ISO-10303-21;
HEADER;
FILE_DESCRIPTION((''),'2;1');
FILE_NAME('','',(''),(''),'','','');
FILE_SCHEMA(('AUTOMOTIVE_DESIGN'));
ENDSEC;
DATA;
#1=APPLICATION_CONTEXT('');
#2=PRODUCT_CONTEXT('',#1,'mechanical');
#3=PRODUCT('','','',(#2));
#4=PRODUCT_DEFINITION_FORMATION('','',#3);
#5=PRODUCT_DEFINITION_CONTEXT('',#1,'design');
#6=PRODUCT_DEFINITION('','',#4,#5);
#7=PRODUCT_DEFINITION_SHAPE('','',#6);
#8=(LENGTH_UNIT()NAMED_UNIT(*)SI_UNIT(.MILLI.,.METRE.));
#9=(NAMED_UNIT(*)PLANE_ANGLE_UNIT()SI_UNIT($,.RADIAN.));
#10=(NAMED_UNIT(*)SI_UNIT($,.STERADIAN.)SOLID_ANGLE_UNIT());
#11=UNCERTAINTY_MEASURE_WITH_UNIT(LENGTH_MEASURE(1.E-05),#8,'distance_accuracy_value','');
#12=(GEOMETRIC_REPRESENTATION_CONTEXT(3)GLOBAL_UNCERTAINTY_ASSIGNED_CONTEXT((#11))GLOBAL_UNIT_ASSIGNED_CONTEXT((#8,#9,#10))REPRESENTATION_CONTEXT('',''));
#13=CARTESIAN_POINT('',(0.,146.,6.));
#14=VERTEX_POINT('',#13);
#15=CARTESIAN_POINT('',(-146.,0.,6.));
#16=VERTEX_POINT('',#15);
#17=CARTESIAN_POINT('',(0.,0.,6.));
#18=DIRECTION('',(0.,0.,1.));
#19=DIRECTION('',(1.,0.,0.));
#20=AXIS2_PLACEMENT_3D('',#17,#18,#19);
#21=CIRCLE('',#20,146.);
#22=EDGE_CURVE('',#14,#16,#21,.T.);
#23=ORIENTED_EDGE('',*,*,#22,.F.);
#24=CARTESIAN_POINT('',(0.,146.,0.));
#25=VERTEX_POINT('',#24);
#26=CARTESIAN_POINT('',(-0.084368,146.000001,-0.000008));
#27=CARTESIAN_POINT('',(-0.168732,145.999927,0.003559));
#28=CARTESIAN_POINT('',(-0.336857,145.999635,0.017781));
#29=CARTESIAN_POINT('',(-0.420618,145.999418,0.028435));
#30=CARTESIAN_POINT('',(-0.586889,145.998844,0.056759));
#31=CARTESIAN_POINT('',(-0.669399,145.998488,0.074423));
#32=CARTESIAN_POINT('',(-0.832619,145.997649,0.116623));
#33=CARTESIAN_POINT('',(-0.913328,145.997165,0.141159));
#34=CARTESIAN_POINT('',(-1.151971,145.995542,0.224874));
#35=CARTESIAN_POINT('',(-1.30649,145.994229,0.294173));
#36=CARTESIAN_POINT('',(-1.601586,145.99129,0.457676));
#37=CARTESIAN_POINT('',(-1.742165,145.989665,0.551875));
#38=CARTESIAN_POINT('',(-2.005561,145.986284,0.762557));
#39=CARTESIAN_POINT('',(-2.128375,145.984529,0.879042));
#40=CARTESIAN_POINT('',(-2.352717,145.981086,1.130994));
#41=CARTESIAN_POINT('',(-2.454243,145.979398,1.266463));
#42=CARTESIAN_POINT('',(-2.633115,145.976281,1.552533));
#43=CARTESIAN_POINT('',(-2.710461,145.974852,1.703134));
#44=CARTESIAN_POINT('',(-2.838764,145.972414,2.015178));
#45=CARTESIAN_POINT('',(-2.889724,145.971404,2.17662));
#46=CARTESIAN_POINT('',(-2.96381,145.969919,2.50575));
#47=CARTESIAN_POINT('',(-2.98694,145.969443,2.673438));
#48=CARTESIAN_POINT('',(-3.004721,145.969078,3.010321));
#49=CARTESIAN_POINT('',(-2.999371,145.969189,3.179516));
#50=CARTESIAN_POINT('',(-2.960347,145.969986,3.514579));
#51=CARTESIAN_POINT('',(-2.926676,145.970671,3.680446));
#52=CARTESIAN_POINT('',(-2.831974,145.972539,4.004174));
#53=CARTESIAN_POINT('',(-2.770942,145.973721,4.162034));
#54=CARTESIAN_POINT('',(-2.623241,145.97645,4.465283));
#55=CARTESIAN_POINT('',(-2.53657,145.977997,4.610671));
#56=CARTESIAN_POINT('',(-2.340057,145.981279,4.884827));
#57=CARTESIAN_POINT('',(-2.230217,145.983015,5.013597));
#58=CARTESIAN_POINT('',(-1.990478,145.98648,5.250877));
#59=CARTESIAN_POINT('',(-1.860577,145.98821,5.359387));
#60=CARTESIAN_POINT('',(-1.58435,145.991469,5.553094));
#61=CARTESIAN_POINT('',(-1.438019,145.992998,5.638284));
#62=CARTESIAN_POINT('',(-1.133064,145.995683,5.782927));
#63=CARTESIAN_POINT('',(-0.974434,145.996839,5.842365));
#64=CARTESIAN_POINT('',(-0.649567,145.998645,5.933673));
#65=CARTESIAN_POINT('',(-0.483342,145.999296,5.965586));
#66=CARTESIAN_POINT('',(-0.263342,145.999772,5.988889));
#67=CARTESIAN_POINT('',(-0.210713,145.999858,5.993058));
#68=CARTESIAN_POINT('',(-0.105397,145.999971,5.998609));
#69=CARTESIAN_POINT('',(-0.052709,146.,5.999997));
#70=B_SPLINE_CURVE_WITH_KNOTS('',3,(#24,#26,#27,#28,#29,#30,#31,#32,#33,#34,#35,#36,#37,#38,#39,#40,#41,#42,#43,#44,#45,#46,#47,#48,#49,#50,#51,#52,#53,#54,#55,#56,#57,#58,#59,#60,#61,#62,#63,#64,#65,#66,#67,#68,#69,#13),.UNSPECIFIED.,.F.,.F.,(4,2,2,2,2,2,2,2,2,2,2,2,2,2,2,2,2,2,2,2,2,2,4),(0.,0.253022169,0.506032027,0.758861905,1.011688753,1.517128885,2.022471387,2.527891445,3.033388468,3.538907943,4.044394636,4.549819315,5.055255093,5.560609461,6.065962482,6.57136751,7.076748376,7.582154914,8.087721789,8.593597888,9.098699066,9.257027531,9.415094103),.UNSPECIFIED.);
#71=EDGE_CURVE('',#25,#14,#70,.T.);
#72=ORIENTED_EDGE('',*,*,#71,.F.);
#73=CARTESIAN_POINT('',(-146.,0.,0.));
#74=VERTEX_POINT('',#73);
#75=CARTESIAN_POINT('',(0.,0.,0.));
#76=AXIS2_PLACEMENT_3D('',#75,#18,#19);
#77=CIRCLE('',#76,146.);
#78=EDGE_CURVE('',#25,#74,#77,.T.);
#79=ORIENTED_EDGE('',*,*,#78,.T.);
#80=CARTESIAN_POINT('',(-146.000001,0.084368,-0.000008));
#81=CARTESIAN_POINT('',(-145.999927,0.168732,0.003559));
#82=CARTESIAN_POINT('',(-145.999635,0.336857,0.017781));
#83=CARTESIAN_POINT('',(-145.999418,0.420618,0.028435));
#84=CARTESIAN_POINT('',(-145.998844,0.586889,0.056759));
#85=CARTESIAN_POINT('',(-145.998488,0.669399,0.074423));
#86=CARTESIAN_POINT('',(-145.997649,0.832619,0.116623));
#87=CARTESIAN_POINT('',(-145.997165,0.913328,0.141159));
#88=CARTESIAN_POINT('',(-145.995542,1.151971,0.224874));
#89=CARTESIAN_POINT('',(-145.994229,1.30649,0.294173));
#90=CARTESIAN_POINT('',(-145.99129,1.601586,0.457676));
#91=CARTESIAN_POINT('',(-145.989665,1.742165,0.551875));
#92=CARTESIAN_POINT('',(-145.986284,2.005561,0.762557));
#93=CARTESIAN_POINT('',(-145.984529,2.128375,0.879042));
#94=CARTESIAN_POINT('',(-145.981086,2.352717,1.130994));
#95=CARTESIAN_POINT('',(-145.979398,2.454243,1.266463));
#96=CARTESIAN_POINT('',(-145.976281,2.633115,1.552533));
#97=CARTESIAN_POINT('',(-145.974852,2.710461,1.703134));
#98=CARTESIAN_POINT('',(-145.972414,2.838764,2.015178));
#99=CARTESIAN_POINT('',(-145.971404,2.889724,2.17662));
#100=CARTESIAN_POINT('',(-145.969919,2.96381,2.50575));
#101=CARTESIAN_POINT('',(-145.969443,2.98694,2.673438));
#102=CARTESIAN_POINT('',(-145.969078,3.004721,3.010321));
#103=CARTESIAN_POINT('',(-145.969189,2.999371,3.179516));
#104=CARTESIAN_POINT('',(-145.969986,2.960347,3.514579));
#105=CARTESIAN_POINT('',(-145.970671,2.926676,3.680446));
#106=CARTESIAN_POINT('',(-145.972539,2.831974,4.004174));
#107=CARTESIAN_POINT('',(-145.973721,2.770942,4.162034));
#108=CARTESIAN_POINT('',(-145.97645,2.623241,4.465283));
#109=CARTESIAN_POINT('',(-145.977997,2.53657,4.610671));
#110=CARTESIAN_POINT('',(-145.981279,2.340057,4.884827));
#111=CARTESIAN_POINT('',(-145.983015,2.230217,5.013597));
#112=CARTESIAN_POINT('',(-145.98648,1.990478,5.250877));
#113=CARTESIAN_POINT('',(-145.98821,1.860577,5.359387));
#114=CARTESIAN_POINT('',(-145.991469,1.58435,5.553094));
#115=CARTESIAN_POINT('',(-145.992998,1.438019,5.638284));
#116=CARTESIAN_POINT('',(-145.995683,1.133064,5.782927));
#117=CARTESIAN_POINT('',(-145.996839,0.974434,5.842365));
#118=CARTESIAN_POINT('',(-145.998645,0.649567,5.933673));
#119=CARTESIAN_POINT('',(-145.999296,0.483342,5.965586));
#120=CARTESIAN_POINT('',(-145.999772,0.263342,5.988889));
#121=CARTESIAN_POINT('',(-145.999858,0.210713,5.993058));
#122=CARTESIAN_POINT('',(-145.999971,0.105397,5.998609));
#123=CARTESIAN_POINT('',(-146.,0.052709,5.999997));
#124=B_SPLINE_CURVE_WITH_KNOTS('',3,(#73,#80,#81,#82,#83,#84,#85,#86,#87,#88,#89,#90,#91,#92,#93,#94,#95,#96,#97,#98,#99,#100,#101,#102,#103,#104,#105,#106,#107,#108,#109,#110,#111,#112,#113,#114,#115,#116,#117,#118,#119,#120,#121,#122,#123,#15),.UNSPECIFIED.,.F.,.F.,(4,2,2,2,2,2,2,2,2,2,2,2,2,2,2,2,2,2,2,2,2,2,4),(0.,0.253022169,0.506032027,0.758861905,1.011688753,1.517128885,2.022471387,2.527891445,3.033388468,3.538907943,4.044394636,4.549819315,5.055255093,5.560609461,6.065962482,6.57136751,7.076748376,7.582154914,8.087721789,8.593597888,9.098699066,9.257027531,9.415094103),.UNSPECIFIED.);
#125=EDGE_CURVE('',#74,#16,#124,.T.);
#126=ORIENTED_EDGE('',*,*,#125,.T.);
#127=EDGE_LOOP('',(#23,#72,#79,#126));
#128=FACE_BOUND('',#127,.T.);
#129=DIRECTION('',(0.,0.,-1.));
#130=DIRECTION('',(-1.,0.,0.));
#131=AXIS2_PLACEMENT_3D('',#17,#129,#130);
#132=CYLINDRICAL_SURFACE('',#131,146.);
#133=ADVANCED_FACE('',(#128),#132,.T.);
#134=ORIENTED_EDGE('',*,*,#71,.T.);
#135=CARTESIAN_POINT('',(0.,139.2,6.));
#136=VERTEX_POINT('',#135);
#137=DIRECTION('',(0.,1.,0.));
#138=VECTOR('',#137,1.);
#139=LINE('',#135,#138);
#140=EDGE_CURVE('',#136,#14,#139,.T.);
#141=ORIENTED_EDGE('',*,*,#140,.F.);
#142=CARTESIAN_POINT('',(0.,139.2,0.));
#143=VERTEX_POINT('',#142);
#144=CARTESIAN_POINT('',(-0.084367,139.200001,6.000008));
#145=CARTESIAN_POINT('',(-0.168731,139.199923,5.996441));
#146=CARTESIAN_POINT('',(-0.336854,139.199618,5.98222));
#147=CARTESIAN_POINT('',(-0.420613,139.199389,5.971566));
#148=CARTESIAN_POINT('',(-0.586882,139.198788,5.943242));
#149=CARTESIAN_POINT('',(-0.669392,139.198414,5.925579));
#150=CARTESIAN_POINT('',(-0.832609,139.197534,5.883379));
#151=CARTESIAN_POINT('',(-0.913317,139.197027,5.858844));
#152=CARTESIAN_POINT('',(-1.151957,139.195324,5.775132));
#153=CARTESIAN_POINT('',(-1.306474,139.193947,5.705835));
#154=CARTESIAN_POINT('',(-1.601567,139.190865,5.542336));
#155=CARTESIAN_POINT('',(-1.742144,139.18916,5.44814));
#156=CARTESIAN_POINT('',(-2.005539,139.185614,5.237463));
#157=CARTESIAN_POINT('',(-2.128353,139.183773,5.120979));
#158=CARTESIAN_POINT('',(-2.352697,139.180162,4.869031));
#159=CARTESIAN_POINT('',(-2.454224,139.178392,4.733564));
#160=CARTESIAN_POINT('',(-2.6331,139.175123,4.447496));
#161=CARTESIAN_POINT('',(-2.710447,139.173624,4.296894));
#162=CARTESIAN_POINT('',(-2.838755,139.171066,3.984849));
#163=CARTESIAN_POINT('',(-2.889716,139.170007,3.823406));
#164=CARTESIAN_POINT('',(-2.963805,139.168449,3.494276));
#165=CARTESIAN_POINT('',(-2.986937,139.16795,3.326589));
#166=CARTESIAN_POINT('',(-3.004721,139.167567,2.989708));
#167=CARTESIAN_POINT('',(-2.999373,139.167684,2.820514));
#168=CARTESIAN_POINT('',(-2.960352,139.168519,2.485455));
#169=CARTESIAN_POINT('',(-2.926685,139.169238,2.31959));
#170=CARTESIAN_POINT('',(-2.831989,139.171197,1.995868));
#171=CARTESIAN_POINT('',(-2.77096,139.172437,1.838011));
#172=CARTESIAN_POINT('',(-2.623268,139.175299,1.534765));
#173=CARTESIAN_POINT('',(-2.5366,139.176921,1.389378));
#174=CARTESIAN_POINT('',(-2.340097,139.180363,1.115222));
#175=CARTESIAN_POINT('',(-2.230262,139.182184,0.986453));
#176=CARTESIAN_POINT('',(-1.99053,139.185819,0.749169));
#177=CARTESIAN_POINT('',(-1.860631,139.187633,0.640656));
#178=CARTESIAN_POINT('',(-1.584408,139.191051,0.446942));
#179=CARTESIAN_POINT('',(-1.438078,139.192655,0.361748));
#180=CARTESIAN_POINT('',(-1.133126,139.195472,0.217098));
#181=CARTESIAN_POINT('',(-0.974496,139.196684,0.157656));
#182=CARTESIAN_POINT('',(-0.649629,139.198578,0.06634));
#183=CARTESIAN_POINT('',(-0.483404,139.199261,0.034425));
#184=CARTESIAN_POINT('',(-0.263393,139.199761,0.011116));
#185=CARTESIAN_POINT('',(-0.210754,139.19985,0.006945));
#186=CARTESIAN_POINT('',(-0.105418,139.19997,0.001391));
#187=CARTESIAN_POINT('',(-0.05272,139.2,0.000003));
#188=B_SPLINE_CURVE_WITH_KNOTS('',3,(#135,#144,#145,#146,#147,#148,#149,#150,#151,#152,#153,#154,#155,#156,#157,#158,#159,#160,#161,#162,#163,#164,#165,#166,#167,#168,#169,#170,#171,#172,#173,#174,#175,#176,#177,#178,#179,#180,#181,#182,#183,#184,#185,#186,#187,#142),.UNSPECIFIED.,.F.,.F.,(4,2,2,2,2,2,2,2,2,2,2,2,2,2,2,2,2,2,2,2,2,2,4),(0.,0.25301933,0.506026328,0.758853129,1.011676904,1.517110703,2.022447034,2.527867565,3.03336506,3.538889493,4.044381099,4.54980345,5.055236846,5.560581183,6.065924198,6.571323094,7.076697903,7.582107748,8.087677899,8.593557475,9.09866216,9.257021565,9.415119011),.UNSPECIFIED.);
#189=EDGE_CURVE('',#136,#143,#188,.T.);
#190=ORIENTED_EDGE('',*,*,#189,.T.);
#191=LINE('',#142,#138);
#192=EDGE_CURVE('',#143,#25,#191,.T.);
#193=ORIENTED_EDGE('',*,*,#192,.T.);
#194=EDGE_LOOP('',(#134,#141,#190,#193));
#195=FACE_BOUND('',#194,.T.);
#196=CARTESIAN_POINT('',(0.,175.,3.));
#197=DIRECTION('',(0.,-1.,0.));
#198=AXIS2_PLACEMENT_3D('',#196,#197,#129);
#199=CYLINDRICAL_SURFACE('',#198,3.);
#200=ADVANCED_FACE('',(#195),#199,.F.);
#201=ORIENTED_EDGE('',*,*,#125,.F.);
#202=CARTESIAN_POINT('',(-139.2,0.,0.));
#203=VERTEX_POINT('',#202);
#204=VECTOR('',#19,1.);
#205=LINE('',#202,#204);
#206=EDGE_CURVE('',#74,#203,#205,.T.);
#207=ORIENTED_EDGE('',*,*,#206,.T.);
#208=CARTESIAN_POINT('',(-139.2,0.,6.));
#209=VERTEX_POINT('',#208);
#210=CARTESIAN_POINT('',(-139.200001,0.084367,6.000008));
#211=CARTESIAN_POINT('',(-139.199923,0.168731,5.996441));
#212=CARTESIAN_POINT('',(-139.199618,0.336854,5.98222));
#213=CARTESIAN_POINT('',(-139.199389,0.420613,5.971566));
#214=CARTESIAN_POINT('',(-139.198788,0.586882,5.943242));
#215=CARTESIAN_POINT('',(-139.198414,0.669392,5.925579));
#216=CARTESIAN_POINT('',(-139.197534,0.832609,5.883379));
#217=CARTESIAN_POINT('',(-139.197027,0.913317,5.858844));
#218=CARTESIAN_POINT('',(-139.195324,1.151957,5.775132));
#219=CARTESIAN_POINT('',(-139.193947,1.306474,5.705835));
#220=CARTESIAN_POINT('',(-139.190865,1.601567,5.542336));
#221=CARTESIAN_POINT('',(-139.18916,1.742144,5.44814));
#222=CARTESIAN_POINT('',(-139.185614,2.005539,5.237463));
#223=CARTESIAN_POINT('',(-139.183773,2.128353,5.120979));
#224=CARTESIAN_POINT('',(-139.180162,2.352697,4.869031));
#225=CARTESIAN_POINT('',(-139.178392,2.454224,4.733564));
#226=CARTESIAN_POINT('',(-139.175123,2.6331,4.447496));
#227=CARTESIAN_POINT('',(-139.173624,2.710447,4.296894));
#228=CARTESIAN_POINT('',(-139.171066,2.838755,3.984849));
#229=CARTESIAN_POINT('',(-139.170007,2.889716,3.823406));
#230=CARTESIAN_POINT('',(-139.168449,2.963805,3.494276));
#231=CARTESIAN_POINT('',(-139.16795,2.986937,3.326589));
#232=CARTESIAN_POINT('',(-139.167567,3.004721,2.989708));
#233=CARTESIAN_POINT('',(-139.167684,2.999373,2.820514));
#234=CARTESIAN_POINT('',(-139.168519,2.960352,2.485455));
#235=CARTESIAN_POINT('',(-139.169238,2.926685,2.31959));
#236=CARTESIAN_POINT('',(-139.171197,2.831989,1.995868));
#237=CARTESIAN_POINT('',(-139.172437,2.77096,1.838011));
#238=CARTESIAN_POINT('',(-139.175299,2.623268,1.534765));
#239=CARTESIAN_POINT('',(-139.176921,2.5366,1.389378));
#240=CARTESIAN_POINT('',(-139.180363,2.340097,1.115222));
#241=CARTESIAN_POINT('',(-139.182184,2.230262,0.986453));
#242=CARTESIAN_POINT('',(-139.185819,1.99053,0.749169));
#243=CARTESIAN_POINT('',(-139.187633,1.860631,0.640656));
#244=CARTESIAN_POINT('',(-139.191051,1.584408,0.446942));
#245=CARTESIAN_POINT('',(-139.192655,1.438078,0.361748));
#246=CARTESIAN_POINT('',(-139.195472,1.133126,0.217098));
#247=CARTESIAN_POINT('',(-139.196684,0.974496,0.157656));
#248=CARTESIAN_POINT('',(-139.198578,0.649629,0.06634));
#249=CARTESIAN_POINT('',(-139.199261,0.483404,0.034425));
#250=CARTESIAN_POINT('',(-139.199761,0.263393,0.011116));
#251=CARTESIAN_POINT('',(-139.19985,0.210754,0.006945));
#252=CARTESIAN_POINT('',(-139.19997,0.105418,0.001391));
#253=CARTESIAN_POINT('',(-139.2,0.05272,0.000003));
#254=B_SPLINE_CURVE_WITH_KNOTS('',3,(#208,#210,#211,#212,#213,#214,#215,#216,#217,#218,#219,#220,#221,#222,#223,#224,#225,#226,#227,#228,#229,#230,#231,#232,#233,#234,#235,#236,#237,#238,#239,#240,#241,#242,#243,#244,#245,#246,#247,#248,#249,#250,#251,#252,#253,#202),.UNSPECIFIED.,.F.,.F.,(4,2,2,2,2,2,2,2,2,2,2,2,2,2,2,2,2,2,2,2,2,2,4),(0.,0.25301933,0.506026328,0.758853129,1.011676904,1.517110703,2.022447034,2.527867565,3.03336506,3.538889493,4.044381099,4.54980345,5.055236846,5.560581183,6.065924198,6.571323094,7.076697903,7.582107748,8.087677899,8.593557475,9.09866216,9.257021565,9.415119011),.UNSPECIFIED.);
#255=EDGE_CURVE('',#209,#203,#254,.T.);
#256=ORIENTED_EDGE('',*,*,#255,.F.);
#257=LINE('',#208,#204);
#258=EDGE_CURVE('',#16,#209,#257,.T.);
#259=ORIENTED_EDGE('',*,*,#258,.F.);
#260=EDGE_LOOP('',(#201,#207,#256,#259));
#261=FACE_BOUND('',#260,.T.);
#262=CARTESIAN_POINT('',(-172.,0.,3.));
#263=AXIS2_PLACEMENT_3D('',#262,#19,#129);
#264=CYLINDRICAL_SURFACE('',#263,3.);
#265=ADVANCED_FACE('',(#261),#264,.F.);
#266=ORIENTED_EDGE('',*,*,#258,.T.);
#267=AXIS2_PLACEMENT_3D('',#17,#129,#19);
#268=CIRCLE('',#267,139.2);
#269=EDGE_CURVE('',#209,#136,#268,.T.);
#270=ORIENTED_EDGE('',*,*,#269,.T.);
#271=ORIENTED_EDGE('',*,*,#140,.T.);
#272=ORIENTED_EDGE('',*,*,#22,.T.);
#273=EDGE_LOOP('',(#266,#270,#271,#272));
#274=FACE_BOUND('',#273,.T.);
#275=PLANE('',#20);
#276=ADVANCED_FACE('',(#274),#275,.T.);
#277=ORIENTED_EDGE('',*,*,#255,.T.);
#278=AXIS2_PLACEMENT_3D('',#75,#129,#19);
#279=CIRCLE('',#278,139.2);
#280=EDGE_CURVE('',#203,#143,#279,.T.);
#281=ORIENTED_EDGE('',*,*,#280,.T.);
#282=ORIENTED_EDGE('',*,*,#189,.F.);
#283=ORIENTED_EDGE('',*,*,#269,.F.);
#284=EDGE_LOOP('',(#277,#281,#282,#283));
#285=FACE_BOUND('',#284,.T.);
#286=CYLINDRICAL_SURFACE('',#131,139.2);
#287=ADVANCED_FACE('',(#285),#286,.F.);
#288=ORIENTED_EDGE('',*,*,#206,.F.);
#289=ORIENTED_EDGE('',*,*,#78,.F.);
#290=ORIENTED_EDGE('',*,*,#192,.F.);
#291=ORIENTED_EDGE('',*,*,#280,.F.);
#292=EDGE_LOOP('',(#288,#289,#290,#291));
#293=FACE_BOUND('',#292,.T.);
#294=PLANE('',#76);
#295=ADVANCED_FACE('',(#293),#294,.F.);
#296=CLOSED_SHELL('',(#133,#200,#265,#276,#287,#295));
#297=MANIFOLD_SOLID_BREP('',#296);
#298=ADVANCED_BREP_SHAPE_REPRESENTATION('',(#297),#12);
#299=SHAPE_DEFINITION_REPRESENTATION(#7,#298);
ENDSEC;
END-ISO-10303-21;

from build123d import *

# Parameters (mm, degrees)
BOSS_EXTRUDE1_DEPTH = 6
SKETCH3_R           = 3
CUT_EXTRUDE1_DEPTH  = 172
SKETCH4_R           = 3
CUT_EXTRUDE2_DEPTH  = 175


with BuildPart() as part:
    # Sketch2 → Boss-Extrude1 (new body)
    with BuildSketch(Plane.XY):
        with BuildLine():
            Line((0, 139.2), (0, 146))
            ThreePointArc((0, 146), (-103.237590053, 103.237590053), (-146, 0))
            Line((-146, 0), (-139.2, 0))
            ThreePointArc((-139.2, 0), (-98.429263941, 98.429263941), (0, 139.2))
        make_face()
    extrude(amount=BOSS_EXTRUDE1_DEPTH)

    # Sketch3 → Cut-Extrude1 (cut)
    with BuildSketch(Plane(origin=(0, 0, 0), x_dir=(0, 0, -1), z_dir=(1, 0, 0))):
        with Locations((-3, 0)):
            Circle(SKETCH3_R)
    extrude(amount=-CUT_EXTRUDE1_DEPTH, mode=Mode.SUBTRACT)

    # Sketch4 → Cut-Extrude2 (cut)
    with BuildSketch(Plane(origin=(0, 0, 0), x_dir=(1, 0, 0), z_dir=(0, 1, 0))):
        with Locations((0, -3)):
            Circle(SKETCH4_R)
    extrude(amount=CUT_EXTRUDE2_DEPTH, mode=Mode.SUBTRACT)


solid = part.part
